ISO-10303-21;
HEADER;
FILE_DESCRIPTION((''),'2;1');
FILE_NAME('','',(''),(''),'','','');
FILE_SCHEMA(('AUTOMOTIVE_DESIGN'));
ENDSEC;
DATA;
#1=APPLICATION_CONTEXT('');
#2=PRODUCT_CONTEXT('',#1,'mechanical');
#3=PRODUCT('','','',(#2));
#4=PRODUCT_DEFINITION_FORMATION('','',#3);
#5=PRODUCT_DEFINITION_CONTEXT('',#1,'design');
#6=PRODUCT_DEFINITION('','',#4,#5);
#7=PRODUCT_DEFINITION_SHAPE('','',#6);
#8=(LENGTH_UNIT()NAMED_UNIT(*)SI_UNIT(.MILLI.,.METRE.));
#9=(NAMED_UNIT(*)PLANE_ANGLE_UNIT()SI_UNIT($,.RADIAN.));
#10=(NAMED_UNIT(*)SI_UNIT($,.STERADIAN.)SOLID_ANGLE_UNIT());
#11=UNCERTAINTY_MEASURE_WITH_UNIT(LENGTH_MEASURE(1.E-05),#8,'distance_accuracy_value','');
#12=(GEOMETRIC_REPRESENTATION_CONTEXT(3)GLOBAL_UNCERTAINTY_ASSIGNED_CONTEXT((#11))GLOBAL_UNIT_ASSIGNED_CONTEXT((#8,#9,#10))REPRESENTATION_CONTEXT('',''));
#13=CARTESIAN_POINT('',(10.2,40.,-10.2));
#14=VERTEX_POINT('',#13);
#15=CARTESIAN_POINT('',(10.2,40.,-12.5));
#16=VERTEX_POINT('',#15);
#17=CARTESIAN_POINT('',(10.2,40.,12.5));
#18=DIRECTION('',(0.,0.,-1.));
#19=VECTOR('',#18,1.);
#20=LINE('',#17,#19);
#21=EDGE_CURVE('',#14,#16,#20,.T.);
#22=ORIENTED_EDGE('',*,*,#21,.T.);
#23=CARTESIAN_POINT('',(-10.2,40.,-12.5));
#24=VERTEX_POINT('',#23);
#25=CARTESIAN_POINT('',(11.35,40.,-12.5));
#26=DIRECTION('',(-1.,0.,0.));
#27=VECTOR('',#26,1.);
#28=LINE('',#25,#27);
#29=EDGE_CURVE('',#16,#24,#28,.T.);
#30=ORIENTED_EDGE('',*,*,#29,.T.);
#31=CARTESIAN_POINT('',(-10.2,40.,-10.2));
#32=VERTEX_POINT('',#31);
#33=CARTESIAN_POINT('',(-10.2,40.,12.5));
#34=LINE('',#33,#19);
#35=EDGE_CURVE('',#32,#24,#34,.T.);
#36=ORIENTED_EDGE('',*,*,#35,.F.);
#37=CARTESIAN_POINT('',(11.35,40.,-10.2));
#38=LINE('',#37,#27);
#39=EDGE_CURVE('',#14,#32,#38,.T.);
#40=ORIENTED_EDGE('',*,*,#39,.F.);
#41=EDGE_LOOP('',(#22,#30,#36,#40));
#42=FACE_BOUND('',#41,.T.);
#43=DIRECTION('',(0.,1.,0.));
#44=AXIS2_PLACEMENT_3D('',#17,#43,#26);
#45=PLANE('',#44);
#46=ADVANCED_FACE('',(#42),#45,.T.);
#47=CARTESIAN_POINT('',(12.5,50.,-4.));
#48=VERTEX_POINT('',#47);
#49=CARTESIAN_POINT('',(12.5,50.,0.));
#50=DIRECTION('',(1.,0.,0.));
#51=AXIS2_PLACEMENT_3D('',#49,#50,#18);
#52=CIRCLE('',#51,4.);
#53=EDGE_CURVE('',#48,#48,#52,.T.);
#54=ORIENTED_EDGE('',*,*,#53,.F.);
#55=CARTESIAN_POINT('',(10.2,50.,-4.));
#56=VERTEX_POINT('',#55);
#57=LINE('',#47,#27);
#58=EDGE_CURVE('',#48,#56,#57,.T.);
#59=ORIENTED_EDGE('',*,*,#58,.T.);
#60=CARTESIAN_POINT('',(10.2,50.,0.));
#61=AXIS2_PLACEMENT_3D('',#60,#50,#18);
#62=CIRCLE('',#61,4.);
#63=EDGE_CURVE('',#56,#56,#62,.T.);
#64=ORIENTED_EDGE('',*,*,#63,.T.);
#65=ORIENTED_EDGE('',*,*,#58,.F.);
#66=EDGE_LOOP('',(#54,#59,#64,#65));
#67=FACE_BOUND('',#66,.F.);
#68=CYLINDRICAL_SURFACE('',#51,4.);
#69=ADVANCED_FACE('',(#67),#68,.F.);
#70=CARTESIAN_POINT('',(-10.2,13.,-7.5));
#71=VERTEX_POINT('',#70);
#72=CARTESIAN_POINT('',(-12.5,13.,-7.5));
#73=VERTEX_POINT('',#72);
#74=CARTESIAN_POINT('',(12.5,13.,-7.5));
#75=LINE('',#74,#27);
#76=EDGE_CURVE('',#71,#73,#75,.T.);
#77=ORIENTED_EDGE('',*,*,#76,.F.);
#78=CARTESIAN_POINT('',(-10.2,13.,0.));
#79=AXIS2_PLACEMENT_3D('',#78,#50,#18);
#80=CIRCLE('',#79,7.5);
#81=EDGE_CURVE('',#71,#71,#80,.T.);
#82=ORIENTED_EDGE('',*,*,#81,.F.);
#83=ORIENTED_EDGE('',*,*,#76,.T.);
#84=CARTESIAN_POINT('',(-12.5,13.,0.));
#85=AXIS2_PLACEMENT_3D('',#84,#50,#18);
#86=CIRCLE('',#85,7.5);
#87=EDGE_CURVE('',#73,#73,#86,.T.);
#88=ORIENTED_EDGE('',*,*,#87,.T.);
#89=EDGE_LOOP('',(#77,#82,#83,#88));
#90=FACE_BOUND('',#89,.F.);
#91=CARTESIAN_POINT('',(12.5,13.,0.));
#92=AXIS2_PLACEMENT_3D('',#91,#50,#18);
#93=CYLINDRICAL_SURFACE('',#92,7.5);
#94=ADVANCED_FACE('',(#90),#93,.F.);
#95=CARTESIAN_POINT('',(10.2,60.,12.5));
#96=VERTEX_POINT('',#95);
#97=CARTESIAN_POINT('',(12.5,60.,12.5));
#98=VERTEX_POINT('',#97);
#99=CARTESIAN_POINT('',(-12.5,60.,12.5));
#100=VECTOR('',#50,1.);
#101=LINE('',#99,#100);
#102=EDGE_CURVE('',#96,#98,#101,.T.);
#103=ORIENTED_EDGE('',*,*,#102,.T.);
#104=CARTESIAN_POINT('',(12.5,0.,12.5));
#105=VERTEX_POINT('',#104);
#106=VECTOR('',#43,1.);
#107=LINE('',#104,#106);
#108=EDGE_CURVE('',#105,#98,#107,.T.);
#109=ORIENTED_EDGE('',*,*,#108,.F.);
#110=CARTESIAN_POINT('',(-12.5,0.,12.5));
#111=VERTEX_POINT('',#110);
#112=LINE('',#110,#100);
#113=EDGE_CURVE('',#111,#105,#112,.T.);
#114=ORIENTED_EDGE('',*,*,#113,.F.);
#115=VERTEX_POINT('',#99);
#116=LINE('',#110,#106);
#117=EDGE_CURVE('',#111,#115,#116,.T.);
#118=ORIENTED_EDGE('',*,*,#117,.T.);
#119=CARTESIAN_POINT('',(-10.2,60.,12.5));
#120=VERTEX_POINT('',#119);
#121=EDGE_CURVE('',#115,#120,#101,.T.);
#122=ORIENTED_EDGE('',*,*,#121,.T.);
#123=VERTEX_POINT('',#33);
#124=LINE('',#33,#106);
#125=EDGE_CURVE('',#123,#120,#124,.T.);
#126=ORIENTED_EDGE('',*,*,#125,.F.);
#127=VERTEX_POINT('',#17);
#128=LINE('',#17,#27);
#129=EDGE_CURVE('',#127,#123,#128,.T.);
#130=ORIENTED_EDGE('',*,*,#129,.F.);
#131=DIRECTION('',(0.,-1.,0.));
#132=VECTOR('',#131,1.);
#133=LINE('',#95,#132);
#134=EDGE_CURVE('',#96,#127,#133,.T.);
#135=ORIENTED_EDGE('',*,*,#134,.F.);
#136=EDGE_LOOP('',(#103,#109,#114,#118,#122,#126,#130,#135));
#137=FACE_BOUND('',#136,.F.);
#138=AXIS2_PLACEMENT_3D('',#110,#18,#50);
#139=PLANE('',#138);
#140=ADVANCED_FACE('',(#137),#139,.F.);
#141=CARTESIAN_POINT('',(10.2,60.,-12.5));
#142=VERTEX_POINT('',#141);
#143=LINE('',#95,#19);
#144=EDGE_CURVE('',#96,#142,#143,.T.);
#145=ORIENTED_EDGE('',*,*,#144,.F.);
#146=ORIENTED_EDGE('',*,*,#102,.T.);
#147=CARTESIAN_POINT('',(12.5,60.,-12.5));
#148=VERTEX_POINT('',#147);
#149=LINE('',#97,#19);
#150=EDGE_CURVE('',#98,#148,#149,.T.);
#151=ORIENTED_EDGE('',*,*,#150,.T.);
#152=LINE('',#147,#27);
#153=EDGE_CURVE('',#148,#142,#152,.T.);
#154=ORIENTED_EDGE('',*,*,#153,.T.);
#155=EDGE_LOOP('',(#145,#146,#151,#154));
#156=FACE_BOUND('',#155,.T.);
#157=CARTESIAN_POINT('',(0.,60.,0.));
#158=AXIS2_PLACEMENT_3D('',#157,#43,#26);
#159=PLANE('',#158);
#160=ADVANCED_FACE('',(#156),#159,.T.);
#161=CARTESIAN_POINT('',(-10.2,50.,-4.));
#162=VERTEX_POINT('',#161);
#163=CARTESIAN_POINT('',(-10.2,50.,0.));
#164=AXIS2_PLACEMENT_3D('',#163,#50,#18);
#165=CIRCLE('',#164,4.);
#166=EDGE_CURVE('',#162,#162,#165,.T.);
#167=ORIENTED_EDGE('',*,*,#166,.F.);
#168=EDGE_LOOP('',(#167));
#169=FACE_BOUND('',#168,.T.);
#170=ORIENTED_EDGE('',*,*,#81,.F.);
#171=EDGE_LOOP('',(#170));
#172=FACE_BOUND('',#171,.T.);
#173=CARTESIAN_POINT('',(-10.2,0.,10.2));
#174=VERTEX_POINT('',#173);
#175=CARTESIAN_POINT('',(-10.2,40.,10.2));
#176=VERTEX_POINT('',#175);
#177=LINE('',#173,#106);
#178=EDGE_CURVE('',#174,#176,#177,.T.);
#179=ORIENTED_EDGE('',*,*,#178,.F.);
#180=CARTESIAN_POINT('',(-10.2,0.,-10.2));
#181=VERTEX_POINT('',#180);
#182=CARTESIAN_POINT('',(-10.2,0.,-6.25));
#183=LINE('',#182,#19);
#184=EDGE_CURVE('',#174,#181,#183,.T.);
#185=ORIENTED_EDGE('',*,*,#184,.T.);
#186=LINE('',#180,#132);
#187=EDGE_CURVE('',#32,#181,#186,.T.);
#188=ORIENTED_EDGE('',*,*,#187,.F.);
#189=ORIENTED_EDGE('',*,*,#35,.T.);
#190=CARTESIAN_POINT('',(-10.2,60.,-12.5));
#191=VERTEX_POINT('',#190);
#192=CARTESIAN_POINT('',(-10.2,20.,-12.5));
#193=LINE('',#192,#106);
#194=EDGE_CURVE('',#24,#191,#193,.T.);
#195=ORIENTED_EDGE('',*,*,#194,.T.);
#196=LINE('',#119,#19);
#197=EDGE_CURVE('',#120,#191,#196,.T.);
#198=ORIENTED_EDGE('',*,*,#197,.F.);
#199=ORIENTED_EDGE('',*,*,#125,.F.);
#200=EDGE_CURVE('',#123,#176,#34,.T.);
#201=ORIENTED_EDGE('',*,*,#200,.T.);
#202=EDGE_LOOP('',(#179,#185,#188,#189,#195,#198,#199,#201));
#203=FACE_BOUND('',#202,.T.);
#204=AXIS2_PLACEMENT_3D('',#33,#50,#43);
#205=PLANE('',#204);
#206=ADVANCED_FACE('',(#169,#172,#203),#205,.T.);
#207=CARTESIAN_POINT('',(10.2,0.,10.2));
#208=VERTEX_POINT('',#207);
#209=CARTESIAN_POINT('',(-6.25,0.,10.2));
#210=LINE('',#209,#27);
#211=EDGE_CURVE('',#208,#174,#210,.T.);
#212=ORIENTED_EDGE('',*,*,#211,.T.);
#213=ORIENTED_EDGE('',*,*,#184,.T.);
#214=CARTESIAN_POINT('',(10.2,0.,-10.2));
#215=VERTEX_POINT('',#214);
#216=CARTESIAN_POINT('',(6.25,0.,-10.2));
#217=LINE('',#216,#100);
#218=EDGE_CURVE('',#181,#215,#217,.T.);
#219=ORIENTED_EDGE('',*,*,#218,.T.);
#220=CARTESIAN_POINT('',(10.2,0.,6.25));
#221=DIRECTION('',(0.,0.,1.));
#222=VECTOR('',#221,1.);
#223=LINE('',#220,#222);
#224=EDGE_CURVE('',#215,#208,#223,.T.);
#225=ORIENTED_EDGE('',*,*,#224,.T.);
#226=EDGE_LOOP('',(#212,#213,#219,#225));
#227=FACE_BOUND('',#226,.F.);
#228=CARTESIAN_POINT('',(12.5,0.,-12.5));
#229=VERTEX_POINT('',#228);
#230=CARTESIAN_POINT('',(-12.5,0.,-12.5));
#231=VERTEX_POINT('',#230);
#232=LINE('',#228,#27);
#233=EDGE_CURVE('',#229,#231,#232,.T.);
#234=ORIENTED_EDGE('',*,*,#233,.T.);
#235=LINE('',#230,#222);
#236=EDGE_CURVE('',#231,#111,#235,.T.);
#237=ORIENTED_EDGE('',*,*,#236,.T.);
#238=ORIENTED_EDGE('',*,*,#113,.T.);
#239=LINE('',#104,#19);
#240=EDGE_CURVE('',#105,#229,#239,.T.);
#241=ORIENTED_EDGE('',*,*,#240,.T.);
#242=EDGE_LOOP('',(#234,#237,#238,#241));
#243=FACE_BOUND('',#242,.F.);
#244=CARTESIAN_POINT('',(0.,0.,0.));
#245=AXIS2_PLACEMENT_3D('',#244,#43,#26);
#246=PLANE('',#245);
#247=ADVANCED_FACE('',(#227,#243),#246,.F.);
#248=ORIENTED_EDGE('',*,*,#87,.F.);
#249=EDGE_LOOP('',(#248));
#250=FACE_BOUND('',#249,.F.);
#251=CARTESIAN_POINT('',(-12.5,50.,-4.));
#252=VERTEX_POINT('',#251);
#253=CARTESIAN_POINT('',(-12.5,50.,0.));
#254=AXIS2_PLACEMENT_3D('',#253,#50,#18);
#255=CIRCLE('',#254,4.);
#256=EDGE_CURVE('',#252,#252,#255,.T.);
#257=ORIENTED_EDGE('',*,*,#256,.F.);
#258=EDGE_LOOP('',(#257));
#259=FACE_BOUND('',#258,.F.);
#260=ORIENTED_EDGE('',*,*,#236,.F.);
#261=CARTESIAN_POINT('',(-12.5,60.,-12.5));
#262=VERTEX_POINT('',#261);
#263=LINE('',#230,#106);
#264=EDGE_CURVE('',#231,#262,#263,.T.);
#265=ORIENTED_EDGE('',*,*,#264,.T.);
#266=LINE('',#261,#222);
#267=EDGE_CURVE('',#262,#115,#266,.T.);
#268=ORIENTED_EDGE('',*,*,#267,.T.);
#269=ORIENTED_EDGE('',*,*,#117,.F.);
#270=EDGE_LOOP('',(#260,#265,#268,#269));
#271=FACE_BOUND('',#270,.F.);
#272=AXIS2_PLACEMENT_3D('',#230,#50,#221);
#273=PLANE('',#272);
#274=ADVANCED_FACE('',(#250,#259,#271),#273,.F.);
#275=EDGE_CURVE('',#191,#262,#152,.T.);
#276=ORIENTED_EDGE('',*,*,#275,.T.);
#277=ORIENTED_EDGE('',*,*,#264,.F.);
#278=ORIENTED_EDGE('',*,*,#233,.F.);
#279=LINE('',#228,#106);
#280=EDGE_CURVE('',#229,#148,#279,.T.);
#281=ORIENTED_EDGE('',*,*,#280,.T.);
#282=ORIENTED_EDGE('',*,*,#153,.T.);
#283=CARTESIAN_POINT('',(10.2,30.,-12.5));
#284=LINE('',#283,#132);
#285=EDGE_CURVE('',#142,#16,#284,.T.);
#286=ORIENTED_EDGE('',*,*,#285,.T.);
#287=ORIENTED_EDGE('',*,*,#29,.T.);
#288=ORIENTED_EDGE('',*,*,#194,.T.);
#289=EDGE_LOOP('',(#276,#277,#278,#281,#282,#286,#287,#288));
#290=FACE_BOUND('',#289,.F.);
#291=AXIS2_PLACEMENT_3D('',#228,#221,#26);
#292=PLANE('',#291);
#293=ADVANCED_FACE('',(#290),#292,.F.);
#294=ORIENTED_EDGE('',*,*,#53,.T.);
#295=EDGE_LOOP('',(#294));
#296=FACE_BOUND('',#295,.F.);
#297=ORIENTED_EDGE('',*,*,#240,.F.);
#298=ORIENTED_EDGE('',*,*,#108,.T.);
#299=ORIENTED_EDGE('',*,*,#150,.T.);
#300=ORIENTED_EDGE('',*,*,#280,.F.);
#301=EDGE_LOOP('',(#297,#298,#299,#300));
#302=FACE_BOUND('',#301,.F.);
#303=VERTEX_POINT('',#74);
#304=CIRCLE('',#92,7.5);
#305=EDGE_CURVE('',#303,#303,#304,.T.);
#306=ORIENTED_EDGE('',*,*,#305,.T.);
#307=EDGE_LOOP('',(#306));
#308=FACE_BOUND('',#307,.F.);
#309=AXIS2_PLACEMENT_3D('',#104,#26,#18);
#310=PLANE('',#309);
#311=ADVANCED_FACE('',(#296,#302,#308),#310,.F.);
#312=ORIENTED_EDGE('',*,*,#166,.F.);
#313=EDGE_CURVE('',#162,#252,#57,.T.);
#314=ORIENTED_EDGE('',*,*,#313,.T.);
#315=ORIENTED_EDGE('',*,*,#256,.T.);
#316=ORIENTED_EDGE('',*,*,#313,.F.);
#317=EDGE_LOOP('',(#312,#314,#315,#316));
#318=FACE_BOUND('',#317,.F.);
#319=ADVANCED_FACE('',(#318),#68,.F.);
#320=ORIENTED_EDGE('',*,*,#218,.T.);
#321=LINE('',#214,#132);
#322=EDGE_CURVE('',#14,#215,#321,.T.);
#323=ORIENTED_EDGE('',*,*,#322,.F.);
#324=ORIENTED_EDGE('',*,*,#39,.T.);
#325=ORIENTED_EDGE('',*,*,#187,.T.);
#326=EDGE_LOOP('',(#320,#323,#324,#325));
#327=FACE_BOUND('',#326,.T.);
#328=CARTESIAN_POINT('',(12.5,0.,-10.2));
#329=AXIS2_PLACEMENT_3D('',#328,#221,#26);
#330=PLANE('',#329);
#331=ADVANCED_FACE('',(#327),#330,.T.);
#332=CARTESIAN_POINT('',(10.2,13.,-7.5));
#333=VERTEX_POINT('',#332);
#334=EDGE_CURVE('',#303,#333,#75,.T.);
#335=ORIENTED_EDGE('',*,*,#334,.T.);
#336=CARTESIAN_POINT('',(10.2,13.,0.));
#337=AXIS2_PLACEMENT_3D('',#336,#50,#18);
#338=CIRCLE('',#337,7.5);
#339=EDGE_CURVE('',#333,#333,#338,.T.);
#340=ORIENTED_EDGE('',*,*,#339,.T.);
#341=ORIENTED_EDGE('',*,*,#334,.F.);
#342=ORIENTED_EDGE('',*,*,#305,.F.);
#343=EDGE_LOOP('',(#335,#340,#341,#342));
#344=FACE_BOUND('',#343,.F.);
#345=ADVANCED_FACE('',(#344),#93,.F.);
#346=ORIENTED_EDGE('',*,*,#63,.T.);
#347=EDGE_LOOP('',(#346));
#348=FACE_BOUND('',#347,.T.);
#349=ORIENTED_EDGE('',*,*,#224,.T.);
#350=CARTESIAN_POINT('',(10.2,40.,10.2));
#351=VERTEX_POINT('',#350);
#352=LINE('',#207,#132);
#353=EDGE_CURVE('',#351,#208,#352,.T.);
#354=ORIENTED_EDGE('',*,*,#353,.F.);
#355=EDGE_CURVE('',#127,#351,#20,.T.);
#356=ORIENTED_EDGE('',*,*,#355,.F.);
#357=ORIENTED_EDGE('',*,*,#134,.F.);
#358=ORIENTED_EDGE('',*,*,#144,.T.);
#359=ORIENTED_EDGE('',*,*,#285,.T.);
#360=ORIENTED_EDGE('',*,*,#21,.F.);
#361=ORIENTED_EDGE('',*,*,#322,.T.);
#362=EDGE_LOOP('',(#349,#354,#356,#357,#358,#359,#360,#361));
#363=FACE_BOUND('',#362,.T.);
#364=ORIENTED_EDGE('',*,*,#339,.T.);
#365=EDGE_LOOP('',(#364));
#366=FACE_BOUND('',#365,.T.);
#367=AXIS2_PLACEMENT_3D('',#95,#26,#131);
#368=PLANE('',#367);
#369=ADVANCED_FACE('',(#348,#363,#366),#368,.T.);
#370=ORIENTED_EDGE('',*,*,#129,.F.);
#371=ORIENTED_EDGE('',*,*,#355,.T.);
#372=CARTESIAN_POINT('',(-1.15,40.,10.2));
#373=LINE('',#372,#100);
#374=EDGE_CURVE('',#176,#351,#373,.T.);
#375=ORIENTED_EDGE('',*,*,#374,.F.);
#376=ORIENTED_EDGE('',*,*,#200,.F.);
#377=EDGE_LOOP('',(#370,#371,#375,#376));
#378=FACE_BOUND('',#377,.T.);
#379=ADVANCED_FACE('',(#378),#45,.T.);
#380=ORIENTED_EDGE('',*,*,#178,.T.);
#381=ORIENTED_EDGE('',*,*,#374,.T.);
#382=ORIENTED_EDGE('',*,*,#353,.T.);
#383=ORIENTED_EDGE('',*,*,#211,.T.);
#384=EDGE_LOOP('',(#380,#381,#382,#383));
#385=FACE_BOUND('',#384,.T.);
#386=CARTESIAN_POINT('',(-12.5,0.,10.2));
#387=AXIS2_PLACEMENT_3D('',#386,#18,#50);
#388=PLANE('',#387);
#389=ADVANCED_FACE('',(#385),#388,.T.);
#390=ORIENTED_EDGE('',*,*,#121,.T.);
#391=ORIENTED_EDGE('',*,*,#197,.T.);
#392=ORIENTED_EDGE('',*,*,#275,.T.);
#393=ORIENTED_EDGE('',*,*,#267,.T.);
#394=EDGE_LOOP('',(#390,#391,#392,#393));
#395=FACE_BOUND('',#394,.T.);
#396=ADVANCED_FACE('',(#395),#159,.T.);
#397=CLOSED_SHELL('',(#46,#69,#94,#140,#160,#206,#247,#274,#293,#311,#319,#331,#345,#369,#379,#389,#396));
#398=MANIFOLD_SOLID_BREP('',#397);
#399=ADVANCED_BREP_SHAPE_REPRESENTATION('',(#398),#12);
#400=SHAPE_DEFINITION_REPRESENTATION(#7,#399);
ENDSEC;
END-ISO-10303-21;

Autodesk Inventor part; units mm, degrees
ref_plane "YZ Plane" through (0, 0, 0) normal (1, 0, 0) x (0, 1, 0)
ref_plane "XZ Plane" through (0, 0, 0) normal (0, 1, 0) x (-1, 0, 0)
ref_plane "XY Plane" through (0, 0, 0) normal (0, 0, 1) x (1, 0, 0)
sketch "スケッチ1" plane through (0, 0, 0) normal (0, 1, 0) x (-1, 0, 0)
  line L0 (12.5, 12.5) -> (-12.5, 12.5)
  line L1 (-12.5, 12.5) -> (-12.5, -12.5)
  line L2 (-12.5, -12.5) -> (12.5, -12.5)
  line L3 (12.5, -12.5) -> (12.5, 12.5)
  line L4 (12.5, 12.5) -> (-12.5, -12.5) construction
  line L5 (-12.5, 12.5) -> (12.5, -12.5) construction
  point P0 (0, 0)
  dimension "d0" = 25
  dimension "d1" = 25
extrude "押し出し1" add sketch "スケッチ1" along normal blind 60
shell "シェル1" thickness 2.3 removed faces 2 at (4.1667, 0, -4.1667) at (4.1667, 60, -4.1667)
sketch "スケッチ2" plane through (12.5, 0, 12.5) normal (1, 0, 0) x (0, 0, -1)
  circle A0 centre (12.5, 13) radius 7.5
  line L0 (0, 0) -> (25, 0) projected
  point P0 (12.5, 0)
  dimension "d5" = 13
  dimension "d6" = 15
extrude "押し出し2" cut sketch "スケッチ2" against normal through all
sketch "スケッチ3" plane through (-12.5, 0, 12.5) normal (0, 0, 1) x (1, 0, 0)
  line L0 (0, 60) -> (25, 60) projected
  line L1 (2.3, 60) -> (22.7, 60)
  line L2 (22.7, 60) -> (22.7, 40)
  line L3 (22.7, 40) -> (2.3, 40)
  line L4 (2.3, 40) -> (2.3, 60)
  line L5 (0, 0) -> (0, 60) projected
  line L6 (25, 0) -> (25, 60) projected
  point P0 (12.5, 0)
  dimension "d9" = 2.3
  dimension "d10" = 2.3
  dimension "d11" = 20
extrude "押し出し3" cut sketch "スケッチ3" against normal through all
sketch "スケッチ4" plane through (12.5, 0, 12.5) normal (1, 0, 0) x (0, 0, -1)
  circle A0 centre (12.5, 50) radius 4
  line L0 (0, 60) -> (25, 60) projected
  point P0 (12.5, 0)
  dimension "d14" = 8
  dimension "d15" = 10
extrude "押し出し4" cut sketch "スケッチ4" against normal through all
equation "\"d1\" = d0"
equation "\"d10\" = d9"
properties part number "pipe_square_back" material "鉄、可鍛鉄"
